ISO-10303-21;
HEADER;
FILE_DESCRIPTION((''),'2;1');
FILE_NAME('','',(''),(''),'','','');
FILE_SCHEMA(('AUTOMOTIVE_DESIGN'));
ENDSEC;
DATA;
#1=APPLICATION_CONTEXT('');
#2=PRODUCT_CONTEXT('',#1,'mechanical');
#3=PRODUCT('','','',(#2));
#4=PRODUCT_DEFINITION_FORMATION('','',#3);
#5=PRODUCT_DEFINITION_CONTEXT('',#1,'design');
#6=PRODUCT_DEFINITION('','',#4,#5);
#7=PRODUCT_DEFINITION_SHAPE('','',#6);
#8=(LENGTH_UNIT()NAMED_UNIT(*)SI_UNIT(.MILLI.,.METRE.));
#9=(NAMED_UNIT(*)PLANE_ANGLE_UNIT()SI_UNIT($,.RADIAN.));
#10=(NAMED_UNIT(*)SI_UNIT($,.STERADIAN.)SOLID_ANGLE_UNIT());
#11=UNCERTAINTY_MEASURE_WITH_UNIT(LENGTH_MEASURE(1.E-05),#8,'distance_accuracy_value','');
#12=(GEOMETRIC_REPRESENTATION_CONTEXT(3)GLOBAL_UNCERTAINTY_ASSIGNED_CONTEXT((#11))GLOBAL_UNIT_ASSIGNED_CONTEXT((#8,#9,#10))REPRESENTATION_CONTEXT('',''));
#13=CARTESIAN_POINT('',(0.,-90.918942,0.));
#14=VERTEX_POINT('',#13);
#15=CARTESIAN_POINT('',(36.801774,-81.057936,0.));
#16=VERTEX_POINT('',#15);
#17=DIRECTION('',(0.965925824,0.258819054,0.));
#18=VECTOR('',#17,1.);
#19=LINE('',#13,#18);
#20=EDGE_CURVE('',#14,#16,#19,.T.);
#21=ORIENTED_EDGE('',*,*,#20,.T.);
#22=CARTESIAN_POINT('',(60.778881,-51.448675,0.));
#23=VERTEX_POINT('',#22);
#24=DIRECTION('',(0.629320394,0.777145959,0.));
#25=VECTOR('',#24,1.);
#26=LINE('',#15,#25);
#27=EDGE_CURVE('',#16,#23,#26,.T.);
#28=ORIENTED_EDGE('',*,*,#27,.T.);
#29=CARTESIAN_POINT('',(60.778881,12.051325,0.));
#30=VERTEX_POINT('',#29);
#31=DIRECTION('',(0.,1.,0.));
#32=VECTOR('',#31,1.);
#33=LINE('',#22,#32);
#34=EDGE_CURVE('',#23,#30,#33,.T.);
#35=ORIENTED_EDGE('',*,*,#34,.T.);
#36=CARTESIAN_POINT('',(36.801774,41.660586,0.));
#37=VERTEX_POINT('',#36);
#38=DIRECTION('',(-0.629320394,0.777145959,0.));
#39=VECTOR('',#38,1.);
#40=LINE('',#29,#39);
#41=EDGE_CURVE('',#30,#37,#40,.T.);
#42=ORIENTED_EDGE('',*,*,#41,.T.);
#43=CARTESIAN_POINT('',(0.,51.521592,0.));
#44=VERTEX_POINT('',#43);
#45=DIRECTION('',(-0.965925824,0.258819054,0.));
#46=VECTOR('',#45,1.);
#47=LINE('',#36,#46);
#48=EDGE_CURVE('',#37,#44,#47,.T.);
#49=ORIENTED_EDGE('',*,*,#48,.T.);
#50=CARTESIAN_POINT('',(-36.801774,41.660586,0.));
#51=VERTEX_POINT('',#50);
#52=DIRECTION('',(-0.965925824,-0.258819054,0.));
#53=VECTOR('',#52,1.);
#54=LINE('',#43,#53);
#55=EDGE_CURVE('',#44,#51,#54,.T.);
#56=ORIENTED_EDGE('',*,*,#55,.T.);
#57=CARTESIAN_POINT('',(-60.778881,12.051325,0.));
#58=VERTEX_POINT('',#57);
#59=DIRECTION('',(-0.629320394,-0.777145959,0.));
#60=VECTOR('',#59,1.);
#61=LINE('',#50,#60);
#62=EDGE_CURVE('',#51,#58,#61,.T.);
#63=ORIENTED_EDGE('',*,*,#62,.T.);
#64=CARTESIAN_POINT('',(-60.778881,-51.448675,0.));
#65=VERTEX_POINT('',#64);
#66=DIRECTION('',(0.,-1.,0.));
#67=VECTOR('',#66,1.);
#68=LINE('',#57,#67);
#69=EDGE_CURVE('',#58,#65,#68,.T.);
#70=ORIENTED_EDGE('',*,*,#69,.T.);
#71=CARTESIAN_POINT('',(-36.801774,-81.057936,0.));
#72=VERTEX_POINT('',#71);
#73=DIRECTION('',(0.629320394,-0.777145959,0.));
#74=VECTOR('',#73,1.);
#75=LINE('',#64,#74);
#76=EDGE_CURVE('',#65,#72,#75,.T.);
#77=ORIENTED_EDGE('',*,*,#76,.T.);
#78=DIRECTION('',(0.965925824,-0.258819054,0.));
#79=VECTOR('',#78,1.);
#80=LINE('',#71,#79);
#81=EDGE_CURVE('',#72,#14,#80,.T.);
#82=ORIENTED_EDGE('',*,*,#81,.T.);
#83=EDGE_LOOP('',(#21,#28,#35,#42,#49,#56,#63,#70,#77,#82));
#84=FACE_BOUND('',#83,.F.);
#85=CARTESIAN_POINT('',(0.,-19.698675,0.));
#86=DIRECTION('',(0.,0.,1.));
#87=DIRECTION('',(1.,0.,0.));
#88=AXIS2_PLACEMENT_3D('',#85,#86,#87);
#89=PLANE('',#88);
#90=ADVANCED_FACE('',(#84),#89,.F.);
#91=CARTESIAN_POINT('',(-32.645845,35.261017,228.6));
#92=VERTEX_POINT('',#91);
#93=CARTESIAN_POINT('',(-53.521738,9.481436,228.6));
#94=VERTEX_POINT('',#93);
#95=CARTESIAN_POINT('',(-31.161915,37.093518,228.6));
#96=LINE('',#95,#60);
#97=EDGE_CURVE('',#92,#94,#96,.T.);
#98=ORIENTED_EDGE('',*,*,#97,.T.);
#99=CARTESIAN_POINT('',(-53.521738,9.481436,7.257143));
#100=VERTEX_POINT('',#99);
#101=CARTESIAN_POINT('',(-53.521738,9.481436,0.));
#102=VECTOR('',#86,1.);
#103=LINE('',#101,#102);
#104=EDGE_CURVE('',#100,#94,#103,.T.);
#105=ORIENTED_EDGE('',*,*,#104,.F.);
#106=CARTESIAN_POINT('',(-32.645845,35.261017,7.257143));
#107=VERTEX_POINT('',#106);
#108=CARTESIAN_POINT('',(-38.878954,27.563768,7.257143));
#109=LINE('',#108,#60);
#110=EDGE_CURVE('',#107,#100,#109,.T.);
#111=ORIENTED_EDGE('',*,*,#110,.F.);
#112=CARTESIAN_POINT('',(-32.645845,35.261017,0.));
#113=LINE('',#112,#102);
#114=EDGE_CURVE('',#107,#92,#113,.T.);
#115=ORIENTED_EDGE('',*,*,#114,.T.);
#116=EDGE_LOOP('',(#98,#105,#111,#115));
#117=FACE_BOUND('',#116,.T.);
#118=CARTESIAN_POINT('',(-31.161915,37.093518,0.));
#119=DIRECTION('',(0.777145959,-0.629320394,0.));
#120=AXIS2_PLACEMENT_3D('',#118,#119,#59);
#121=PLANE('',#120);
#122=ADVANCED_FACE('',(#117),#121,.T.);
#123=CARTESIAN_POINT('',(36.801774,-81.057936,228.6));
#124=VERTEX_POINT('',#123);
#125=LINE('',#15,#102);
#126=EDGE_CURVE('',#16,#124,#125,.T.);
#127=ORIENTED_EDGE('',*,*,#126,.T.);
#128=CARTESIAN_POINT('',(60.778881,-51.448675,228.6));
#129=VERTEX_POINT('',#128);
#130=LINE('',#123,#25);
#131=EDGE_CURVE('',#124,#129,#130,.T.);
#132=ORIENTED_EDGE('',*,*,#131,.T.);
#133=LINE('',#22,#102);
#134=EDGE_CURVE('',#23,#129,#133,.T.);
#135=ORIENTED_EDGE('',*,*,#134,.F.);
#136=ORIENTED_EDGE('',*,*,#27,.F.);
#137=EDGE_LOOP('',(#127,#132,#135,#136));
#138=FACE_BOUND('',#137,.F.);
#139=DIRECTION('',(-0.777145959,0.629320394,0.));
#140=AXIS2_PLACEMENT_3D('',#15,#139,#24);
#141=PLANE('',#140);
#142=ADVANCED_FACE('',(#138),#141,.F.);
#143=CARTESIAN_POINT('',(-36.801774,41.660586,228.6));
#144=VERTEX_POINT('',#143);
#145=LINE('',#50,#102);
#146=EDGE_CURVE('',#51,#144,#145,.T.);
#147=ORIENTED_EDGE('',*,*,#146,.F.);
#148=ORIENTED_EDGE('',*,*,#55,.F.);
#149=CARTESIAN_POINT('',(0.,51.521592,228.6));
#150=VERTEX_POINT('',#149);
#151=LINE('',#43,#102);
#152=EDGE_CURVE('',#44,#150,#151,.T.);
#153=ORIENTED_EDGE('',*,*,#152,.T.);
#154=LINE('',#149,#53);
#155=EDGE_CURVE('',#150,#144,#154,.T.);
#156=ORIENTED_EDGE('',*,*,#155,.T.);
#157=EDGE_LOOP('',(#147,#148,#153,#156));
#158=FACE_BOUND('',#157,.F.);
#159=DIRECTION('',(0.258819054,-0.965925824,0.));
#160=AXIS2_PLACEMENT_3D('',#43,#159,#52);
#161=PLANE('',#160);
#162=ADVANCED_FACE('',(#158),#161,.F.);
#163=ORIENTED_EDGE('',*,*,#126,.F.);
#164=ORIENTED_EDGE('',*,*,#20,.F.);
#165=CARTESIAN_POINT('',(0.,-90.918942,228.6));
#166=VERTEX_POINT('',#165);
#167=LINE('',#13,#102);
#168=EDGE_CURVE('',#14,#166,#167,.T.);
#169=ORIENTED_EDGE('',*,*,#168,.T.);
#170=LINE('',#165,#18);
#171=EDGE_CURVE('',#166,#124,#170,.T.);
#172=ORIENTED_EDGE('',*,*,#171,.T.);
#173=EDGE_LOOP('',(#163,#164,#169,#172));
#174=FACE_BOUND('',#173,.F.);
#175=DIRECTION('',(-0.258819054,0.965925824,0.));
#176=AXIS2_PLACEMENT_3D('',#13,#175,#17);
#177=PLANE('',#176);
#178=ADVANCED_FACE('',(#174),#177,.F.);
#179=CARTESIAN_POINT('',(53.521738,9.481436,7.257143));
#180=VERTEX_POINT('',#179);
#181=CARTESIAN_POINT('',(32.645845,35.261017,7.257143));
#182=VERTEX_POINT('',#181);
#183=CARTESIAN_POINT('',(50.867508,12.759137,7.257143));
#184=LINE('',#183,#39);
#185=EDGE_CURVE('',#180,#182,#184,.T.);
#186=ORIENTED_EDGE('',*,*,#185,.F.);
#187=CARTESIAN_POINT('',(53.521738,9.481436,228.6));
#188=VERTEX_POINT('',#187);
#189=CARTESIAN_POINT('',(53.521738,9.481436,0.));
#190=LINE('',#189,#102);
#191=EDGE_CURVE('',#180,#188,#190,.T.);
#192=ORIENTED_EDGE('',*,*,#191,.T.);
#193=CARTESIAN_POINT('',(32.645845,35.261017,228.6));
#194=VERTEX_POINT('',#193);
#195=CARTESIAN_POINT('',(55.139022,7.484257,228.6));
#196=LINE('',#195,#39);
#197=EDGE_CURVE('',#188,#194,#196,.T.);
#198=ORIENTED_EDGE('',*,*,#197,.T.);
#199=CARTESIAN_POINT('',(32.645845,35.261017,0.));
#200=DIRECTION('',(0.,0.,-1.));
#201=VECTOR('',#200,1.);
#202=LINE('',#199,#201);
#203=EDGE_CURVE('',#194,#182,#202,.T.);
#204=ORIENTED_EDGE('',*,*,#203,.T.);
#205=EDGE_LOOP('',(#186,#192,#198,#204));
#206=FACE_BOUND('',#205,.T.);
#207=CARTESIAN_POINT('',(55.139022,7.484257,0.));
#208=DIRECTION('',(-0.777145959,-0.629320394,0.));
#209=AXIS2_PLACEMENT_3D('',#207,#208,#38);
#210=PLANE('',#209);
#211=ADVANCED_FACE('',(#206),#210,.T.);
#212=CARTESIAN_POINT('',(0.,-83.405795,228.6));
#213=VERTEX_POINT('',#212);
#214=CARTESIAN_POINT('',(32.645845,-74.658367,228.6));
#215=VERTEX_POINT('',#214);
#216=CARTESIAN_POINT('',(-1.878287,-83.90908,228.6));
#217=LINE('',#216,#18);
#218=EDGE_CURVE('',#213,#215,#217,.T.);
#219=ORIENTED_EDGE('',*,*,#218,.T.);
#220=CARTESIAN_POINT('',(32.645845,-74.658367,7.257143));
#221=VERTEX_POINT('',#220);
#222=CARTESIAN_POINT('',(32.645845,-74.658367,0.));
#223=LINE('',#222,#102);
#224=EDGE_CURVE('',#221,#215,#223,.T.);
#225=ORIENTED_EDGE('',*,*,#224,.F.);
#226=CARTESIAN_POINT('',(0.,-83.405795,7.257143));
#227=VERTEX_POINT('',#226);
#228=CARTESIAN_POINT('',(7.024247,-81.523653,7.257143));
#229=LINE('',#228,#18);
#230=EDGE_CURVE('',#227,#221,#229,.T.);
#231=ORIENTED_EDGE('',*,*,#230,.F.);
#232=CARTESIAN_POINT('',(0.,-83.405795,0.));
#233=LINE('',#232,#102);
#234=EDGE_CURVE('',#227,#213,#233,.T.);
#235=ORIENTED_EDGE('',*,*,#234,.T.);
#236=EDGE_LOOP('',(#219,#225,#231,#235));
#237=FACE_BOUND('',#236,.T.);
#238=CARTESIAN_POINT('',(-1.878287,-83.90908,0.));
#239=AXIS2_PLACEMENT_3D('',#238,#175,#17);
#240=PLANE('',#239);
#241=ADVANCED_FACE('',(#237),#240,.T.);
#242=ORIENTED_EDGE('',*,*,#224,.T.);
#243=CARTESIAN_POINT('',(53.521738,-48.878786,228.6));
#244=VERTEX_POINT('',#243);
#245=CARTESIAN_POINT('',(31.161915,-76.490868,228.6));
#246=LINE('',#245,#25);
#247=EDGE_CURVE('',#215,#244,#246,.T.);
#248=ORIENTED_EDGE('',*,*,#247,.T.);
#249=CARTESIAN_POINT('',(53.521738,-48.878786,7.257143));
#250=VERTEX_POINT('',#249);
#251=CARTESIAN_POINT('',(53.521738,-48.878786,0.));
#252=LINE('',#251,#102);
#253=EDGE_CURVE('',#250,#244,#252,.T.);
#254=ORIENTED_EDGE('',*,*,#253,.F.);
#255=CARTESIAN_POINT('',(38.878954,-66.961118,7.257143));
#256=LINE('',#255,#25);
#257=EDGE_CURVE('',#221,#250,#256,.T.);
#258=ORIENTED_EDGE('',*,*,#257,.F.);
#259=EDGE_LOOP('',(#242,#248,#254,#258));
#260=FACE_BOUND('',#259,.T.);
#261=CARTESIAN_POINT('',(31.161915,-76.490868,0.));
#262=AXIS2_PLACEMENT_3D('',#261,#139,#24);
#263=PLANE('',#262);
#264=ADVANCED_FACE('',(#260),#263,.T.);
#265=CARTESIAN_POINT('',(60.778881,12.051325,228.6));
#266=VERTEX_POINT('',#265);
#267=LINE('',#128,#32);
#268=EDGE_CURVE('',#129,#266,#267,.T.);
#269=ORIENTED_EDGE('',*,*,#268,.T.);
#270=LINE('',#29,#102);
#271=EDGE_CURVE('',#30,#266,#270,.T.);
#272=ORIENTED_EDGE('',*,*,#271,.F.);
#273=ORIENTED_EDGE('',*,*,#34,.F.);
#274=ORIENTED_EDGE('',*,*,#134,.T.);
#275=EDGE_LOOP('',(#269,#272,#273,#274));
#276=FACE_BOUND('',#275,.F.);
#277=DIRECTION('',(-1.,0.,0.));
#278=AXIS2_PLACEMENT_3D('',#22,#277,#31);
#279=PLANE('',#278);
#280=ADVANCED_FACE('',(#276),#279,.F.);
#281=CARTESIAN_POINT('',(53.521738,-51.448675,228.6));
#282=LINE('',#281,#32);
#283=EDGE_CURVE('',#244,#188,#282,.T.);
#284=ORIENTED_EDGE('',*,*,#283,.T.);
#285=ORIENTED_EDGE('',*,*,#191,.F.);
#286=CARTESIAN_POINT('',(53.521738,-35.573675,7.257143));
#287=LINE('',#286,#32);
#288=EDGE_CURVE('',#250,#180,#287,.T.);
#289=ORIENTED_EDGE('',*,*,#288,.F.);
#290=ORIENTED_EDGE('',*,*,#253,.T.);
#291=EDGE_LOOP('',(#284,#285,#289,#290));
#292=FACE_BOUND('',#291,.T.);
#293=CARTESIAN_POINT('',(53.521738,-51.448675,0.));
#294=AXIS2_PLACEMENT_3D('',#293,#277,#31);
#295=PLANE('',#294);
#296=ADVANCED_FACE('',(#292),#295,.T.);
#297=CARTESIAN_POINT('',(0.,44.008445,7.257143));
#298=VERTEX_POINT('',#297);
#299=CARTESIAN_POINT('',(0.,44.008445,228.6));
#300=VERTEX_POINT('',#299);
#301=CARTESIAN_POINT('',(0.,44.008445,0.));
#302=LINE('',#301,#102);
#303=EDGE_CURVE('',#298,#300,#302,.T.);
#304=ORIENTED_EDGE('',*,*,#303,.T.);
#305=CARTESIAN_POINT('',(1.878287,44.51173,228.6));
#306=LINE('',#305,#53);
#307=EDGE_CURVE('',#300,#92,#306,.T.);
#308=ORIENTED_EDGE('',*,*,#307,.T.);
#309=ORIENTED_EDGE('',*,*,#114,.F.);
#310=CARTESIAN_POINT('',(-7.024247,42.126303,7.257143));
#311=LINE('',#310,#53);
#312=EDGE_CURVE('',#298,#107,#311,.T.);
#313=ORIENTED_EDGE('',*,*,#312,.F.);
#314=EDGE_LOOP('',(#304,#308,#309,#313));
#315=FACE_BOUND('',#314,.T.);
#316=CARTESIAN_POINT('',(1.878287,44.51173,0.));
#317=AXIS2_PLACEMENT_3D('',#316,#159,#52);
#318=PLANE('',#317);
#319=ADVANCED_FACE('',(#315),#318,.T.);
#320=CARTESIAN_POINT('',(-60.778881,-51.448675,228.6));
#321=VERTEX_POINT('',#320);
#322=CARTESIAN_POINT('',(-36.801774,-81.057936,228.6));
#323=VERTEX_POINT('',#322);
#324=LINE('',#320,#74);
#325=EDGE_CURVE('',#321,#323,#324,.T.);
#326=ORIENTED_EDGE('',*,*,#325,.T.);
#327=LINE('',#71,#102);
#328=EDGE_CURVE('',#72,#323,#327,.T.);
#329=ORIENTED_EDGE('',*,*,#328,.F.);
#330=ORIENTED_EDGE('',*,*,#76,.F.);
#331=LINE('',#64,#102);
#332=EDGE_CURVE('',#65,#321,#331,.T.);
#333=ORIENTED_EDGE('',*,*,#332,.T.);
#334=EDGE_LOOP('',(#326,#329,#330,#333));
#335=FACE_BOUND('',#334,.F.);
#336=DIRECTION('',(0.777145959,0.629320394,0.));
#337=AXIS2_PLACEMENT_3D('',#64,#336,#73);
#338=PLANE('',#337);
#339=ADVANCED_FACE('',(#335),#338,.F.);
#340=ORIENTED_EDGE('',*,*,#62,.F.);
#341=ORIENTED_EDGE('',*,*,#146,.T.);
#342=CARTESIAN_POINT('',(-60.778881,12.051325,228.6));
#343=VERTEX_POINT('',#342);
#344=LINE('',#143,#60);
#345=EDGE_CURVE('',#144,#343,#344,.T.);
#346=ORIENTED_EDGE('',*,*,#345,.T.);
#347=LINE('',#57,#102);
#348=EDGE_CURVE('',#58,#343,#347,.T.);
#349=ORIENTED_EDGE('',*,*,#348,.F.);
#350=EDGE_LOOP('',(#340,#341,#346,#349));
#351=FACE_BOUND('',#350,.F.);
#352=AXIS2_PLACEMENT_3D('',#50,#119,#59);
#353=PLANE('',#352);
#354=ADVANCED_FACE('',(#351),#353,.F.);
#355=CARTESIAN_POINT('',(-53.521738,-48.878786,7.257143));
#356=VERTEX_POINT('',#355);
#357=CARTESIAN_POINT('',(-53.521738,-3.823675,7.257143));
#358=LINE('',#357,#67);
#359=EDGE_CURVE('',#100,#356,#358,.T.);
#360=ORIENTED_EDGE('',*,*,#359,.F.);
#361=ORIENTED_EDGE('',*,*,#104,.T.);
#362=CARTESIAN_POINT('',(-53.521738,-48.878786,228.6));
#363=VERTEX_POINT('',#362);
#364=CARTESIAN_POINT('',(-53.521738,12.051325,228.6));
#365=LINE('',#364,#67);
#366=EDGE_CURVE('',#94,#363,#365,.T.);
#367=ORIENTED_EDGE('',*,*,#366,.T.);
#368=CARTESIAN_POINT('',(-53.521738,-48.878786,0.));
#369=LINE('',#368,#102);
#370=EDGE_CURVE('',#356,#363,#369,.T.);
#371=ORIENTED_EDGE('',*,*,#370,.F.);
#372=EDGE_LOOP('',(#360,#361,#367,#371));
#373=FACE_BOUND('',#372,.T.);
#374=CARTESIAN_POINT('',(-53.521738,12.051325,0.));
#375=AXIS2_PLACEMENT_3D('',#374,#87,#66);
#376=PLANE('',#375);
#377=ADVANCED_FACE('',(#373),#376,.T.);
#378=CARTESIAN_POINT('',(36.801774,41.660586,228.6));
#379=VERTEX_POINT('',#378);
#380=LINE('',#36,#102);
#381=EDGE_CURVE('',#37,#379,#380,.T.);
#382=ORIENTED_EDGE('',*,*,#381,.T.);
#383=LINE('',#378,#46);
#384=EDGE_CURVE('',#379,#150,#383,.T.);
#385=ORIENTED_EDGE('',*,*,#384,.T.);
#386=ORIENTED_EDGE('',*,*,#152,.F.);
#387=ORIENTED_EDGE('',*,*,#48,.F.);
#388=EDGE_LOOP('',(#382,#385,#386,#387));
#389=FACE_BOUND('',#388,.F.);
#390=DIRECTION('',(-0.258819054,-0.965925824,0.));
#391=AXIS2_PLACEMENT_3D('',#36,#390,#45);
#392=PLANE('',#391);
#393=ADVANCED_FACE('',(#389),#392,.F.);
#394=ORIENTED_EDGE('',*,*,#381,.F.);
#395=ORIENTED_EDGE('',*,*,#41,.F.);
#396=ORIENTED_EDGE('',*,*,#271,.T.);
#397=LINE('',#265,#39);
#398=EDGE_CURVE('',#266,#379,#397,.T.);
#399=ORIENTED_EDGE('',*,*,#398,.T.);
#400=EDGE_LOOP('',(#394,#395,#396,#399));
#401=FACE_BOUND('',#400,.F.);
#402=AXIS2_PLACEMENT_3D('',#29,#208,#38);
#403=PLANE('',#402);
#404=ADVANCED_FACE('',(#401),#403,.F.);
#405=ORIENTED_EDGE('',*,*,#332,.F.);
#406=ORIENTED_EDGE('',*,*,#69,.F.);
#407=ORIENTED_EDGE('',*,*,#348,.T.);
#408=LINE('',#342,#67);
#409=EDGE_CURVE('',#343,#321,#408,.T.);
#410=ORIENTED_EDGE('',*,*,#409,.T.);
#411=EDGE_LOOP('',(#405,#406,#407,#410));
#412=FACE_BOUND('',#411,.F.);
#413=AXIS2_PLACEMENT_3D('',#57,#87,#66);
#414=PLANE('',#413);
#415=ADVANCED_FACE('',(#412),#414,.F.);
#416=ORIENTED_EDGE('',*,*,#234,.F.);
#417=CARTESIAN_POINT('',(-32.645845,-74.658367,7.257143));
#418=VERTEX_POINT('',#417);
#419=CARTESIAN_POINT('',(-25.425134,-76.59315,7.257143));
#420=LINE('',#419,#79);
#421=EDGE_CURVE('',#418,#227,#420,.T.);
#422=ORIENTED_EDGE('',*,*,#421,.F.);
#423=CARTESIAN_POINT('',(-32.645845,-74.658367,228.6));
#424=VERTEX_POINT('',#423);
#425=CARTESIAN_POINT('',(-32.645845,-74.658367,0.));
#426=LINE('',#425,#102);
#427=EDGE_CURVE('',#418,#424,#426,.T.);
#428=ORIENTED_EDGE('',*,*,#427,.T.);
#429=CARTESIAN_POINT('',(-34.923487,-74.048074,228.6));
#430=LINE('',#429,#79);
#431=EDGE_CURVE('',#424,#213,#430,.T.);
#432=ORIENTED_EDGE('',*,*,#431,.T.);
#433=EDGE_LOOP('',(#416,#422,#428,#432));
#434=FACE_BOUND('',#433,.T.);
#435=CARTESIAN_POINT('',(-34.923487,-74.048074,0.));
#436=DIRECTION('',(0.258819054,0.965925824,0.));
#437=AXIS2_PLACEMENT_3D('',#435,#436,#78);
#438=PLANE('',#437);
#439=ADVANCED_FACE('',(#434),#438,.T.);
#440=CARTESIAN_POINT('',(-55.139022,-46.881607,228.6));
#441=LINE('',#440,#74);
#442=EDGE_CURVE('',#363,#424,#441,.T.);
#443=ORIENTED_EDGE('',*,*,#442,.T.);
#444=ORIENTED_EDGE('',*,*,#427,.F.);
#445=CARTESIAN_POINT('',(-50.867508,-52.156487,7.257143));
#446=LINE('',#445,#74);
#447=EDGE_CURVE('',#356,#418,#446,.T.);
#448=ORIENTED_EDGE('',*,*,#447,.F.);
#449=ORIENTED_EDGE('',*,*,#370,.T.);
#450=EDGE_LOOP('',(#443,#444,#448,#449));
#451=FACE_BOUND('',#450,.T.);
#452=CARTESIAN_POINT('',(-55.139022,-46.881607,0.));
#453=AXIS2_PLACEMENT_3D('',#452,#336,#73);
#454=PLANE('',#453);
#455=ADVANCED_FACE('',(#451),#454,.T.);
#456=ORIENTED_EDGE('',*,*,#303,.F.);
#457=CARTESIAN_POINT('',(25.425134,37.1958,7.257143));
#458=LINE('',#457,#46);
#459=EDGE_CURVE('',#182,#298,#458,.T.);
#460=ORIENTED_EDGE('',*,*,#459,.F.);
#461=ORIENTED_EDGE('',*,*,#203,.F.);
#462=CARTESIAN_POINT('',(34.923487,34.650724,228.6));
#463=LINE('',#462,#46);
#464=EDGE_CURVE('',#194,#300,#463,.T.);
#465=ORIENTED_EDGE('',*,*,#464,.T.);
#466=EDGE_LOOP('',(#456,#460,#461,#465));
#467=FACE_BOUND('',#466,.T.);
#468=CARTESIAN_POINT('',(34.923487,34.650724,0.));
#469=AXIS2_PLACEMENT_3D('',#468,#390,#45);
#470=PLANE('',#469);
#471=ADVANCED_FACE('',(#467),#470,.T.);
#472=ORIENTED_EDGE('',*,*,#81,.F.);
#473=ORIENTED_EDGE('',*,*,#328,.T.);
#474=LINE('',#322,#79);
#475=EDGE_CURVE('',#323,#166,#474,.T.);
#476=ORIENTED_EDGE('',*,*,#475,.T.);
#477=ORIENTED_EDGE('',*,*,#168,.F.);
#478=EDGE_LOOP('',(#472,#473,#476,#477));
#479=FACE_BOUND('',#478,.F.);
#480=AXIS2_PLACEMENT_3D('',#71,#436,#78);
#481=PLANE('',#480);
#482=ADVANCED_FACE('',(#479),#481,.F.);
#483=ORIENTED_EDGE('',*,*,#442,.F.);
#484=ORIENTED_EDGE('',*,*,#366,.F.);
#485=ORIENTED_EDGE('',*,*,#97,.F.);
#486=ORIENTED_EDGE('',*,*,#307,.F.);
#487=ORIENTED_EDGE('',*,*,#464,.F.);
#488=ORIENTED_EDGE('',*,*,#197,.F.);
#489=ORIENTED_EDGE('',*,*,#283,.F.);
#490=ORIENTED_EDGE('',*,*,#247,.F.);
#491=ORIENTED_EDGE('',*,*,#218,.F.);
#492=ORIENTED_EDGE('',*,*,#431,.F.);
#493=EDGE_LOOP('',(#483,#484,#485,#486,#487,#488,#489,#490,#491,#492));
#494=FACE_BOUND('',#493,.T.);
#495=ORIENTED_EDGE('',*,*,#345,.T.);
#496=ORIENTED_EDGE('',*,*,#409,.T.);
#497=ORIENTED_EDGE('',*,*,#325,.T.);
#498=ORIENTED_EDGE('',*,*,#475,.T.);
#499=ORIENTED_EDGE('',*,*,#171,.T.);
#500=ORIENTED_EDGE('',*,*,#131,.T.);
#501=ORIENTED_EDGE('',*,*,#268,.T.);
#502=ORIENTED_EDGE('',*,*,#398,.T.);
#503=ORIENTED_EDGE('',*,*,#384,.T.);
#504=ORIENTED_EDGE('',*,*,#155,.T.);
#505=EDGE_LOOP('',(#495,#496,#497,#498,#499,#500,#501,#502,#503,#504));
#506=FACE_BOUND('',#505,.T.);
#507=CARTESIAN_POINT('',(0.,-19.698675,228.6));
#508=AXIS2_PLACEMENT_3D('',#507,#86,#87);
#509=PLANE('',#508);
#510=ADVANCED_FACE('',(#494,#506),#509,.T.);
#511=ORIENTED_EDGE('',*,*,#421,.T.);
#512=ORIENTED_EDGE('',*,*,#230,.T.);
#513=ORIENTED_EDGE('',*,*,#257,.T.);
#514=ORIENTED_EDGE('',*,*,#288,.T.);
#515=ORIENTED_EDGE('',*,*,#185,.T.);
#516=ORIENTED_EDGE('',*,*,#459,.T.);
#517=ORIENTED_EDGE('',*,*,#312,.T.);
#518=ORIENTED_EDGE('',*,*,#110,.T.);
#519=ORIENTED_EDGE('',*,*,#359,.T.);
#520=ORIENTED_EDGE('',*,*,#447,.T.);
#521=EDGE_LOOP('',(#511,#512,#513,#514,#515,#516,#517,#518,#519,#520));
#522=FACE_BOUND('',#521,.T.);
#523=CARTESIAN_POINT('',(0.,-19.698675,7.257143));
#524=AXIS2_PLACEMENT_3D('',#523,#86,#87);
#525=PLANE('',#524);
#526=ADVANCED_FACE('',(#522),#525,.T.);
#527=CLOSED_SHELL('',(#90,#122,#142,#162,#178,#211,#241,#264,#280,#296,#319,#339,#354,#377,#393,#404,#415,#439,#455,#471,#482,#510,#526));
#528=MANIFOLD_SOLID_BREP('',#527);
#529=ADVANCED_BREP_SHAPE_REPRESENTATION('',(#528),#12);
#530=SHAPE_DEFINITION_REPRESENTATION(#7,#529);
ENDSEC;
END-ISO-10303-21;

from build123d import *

# Parameters (mm, degrees)
F1_DEPTH = 228.6
F2_T     = -7.257143


with BuildPart() as f1:
    # F0 (on Top) → F1 (new body)
    with BuildSketch(Plane.XY):
        Polygon((36.801774, 41.660586), (0, 51.521592), (-36.801774, 41.660586), (-60.778881, 12.051325), (-60.778881, -51.448675), (-36.801774, -81.057936), (0, -90.918942), (36.801774, -81.057936), (60.778881, -51.448675), (60.778881, 12.051325), align=None)
    extrude(amount=F1_DEPTH)

    # F2
    f2_openings = [f1.faces().sort_by_distance(p)[0] for p in [
        (0, -19.698675, 228.6),
    ]]
    offset(amount=F2_T, openings=f2_openings)


solid = f1.part
